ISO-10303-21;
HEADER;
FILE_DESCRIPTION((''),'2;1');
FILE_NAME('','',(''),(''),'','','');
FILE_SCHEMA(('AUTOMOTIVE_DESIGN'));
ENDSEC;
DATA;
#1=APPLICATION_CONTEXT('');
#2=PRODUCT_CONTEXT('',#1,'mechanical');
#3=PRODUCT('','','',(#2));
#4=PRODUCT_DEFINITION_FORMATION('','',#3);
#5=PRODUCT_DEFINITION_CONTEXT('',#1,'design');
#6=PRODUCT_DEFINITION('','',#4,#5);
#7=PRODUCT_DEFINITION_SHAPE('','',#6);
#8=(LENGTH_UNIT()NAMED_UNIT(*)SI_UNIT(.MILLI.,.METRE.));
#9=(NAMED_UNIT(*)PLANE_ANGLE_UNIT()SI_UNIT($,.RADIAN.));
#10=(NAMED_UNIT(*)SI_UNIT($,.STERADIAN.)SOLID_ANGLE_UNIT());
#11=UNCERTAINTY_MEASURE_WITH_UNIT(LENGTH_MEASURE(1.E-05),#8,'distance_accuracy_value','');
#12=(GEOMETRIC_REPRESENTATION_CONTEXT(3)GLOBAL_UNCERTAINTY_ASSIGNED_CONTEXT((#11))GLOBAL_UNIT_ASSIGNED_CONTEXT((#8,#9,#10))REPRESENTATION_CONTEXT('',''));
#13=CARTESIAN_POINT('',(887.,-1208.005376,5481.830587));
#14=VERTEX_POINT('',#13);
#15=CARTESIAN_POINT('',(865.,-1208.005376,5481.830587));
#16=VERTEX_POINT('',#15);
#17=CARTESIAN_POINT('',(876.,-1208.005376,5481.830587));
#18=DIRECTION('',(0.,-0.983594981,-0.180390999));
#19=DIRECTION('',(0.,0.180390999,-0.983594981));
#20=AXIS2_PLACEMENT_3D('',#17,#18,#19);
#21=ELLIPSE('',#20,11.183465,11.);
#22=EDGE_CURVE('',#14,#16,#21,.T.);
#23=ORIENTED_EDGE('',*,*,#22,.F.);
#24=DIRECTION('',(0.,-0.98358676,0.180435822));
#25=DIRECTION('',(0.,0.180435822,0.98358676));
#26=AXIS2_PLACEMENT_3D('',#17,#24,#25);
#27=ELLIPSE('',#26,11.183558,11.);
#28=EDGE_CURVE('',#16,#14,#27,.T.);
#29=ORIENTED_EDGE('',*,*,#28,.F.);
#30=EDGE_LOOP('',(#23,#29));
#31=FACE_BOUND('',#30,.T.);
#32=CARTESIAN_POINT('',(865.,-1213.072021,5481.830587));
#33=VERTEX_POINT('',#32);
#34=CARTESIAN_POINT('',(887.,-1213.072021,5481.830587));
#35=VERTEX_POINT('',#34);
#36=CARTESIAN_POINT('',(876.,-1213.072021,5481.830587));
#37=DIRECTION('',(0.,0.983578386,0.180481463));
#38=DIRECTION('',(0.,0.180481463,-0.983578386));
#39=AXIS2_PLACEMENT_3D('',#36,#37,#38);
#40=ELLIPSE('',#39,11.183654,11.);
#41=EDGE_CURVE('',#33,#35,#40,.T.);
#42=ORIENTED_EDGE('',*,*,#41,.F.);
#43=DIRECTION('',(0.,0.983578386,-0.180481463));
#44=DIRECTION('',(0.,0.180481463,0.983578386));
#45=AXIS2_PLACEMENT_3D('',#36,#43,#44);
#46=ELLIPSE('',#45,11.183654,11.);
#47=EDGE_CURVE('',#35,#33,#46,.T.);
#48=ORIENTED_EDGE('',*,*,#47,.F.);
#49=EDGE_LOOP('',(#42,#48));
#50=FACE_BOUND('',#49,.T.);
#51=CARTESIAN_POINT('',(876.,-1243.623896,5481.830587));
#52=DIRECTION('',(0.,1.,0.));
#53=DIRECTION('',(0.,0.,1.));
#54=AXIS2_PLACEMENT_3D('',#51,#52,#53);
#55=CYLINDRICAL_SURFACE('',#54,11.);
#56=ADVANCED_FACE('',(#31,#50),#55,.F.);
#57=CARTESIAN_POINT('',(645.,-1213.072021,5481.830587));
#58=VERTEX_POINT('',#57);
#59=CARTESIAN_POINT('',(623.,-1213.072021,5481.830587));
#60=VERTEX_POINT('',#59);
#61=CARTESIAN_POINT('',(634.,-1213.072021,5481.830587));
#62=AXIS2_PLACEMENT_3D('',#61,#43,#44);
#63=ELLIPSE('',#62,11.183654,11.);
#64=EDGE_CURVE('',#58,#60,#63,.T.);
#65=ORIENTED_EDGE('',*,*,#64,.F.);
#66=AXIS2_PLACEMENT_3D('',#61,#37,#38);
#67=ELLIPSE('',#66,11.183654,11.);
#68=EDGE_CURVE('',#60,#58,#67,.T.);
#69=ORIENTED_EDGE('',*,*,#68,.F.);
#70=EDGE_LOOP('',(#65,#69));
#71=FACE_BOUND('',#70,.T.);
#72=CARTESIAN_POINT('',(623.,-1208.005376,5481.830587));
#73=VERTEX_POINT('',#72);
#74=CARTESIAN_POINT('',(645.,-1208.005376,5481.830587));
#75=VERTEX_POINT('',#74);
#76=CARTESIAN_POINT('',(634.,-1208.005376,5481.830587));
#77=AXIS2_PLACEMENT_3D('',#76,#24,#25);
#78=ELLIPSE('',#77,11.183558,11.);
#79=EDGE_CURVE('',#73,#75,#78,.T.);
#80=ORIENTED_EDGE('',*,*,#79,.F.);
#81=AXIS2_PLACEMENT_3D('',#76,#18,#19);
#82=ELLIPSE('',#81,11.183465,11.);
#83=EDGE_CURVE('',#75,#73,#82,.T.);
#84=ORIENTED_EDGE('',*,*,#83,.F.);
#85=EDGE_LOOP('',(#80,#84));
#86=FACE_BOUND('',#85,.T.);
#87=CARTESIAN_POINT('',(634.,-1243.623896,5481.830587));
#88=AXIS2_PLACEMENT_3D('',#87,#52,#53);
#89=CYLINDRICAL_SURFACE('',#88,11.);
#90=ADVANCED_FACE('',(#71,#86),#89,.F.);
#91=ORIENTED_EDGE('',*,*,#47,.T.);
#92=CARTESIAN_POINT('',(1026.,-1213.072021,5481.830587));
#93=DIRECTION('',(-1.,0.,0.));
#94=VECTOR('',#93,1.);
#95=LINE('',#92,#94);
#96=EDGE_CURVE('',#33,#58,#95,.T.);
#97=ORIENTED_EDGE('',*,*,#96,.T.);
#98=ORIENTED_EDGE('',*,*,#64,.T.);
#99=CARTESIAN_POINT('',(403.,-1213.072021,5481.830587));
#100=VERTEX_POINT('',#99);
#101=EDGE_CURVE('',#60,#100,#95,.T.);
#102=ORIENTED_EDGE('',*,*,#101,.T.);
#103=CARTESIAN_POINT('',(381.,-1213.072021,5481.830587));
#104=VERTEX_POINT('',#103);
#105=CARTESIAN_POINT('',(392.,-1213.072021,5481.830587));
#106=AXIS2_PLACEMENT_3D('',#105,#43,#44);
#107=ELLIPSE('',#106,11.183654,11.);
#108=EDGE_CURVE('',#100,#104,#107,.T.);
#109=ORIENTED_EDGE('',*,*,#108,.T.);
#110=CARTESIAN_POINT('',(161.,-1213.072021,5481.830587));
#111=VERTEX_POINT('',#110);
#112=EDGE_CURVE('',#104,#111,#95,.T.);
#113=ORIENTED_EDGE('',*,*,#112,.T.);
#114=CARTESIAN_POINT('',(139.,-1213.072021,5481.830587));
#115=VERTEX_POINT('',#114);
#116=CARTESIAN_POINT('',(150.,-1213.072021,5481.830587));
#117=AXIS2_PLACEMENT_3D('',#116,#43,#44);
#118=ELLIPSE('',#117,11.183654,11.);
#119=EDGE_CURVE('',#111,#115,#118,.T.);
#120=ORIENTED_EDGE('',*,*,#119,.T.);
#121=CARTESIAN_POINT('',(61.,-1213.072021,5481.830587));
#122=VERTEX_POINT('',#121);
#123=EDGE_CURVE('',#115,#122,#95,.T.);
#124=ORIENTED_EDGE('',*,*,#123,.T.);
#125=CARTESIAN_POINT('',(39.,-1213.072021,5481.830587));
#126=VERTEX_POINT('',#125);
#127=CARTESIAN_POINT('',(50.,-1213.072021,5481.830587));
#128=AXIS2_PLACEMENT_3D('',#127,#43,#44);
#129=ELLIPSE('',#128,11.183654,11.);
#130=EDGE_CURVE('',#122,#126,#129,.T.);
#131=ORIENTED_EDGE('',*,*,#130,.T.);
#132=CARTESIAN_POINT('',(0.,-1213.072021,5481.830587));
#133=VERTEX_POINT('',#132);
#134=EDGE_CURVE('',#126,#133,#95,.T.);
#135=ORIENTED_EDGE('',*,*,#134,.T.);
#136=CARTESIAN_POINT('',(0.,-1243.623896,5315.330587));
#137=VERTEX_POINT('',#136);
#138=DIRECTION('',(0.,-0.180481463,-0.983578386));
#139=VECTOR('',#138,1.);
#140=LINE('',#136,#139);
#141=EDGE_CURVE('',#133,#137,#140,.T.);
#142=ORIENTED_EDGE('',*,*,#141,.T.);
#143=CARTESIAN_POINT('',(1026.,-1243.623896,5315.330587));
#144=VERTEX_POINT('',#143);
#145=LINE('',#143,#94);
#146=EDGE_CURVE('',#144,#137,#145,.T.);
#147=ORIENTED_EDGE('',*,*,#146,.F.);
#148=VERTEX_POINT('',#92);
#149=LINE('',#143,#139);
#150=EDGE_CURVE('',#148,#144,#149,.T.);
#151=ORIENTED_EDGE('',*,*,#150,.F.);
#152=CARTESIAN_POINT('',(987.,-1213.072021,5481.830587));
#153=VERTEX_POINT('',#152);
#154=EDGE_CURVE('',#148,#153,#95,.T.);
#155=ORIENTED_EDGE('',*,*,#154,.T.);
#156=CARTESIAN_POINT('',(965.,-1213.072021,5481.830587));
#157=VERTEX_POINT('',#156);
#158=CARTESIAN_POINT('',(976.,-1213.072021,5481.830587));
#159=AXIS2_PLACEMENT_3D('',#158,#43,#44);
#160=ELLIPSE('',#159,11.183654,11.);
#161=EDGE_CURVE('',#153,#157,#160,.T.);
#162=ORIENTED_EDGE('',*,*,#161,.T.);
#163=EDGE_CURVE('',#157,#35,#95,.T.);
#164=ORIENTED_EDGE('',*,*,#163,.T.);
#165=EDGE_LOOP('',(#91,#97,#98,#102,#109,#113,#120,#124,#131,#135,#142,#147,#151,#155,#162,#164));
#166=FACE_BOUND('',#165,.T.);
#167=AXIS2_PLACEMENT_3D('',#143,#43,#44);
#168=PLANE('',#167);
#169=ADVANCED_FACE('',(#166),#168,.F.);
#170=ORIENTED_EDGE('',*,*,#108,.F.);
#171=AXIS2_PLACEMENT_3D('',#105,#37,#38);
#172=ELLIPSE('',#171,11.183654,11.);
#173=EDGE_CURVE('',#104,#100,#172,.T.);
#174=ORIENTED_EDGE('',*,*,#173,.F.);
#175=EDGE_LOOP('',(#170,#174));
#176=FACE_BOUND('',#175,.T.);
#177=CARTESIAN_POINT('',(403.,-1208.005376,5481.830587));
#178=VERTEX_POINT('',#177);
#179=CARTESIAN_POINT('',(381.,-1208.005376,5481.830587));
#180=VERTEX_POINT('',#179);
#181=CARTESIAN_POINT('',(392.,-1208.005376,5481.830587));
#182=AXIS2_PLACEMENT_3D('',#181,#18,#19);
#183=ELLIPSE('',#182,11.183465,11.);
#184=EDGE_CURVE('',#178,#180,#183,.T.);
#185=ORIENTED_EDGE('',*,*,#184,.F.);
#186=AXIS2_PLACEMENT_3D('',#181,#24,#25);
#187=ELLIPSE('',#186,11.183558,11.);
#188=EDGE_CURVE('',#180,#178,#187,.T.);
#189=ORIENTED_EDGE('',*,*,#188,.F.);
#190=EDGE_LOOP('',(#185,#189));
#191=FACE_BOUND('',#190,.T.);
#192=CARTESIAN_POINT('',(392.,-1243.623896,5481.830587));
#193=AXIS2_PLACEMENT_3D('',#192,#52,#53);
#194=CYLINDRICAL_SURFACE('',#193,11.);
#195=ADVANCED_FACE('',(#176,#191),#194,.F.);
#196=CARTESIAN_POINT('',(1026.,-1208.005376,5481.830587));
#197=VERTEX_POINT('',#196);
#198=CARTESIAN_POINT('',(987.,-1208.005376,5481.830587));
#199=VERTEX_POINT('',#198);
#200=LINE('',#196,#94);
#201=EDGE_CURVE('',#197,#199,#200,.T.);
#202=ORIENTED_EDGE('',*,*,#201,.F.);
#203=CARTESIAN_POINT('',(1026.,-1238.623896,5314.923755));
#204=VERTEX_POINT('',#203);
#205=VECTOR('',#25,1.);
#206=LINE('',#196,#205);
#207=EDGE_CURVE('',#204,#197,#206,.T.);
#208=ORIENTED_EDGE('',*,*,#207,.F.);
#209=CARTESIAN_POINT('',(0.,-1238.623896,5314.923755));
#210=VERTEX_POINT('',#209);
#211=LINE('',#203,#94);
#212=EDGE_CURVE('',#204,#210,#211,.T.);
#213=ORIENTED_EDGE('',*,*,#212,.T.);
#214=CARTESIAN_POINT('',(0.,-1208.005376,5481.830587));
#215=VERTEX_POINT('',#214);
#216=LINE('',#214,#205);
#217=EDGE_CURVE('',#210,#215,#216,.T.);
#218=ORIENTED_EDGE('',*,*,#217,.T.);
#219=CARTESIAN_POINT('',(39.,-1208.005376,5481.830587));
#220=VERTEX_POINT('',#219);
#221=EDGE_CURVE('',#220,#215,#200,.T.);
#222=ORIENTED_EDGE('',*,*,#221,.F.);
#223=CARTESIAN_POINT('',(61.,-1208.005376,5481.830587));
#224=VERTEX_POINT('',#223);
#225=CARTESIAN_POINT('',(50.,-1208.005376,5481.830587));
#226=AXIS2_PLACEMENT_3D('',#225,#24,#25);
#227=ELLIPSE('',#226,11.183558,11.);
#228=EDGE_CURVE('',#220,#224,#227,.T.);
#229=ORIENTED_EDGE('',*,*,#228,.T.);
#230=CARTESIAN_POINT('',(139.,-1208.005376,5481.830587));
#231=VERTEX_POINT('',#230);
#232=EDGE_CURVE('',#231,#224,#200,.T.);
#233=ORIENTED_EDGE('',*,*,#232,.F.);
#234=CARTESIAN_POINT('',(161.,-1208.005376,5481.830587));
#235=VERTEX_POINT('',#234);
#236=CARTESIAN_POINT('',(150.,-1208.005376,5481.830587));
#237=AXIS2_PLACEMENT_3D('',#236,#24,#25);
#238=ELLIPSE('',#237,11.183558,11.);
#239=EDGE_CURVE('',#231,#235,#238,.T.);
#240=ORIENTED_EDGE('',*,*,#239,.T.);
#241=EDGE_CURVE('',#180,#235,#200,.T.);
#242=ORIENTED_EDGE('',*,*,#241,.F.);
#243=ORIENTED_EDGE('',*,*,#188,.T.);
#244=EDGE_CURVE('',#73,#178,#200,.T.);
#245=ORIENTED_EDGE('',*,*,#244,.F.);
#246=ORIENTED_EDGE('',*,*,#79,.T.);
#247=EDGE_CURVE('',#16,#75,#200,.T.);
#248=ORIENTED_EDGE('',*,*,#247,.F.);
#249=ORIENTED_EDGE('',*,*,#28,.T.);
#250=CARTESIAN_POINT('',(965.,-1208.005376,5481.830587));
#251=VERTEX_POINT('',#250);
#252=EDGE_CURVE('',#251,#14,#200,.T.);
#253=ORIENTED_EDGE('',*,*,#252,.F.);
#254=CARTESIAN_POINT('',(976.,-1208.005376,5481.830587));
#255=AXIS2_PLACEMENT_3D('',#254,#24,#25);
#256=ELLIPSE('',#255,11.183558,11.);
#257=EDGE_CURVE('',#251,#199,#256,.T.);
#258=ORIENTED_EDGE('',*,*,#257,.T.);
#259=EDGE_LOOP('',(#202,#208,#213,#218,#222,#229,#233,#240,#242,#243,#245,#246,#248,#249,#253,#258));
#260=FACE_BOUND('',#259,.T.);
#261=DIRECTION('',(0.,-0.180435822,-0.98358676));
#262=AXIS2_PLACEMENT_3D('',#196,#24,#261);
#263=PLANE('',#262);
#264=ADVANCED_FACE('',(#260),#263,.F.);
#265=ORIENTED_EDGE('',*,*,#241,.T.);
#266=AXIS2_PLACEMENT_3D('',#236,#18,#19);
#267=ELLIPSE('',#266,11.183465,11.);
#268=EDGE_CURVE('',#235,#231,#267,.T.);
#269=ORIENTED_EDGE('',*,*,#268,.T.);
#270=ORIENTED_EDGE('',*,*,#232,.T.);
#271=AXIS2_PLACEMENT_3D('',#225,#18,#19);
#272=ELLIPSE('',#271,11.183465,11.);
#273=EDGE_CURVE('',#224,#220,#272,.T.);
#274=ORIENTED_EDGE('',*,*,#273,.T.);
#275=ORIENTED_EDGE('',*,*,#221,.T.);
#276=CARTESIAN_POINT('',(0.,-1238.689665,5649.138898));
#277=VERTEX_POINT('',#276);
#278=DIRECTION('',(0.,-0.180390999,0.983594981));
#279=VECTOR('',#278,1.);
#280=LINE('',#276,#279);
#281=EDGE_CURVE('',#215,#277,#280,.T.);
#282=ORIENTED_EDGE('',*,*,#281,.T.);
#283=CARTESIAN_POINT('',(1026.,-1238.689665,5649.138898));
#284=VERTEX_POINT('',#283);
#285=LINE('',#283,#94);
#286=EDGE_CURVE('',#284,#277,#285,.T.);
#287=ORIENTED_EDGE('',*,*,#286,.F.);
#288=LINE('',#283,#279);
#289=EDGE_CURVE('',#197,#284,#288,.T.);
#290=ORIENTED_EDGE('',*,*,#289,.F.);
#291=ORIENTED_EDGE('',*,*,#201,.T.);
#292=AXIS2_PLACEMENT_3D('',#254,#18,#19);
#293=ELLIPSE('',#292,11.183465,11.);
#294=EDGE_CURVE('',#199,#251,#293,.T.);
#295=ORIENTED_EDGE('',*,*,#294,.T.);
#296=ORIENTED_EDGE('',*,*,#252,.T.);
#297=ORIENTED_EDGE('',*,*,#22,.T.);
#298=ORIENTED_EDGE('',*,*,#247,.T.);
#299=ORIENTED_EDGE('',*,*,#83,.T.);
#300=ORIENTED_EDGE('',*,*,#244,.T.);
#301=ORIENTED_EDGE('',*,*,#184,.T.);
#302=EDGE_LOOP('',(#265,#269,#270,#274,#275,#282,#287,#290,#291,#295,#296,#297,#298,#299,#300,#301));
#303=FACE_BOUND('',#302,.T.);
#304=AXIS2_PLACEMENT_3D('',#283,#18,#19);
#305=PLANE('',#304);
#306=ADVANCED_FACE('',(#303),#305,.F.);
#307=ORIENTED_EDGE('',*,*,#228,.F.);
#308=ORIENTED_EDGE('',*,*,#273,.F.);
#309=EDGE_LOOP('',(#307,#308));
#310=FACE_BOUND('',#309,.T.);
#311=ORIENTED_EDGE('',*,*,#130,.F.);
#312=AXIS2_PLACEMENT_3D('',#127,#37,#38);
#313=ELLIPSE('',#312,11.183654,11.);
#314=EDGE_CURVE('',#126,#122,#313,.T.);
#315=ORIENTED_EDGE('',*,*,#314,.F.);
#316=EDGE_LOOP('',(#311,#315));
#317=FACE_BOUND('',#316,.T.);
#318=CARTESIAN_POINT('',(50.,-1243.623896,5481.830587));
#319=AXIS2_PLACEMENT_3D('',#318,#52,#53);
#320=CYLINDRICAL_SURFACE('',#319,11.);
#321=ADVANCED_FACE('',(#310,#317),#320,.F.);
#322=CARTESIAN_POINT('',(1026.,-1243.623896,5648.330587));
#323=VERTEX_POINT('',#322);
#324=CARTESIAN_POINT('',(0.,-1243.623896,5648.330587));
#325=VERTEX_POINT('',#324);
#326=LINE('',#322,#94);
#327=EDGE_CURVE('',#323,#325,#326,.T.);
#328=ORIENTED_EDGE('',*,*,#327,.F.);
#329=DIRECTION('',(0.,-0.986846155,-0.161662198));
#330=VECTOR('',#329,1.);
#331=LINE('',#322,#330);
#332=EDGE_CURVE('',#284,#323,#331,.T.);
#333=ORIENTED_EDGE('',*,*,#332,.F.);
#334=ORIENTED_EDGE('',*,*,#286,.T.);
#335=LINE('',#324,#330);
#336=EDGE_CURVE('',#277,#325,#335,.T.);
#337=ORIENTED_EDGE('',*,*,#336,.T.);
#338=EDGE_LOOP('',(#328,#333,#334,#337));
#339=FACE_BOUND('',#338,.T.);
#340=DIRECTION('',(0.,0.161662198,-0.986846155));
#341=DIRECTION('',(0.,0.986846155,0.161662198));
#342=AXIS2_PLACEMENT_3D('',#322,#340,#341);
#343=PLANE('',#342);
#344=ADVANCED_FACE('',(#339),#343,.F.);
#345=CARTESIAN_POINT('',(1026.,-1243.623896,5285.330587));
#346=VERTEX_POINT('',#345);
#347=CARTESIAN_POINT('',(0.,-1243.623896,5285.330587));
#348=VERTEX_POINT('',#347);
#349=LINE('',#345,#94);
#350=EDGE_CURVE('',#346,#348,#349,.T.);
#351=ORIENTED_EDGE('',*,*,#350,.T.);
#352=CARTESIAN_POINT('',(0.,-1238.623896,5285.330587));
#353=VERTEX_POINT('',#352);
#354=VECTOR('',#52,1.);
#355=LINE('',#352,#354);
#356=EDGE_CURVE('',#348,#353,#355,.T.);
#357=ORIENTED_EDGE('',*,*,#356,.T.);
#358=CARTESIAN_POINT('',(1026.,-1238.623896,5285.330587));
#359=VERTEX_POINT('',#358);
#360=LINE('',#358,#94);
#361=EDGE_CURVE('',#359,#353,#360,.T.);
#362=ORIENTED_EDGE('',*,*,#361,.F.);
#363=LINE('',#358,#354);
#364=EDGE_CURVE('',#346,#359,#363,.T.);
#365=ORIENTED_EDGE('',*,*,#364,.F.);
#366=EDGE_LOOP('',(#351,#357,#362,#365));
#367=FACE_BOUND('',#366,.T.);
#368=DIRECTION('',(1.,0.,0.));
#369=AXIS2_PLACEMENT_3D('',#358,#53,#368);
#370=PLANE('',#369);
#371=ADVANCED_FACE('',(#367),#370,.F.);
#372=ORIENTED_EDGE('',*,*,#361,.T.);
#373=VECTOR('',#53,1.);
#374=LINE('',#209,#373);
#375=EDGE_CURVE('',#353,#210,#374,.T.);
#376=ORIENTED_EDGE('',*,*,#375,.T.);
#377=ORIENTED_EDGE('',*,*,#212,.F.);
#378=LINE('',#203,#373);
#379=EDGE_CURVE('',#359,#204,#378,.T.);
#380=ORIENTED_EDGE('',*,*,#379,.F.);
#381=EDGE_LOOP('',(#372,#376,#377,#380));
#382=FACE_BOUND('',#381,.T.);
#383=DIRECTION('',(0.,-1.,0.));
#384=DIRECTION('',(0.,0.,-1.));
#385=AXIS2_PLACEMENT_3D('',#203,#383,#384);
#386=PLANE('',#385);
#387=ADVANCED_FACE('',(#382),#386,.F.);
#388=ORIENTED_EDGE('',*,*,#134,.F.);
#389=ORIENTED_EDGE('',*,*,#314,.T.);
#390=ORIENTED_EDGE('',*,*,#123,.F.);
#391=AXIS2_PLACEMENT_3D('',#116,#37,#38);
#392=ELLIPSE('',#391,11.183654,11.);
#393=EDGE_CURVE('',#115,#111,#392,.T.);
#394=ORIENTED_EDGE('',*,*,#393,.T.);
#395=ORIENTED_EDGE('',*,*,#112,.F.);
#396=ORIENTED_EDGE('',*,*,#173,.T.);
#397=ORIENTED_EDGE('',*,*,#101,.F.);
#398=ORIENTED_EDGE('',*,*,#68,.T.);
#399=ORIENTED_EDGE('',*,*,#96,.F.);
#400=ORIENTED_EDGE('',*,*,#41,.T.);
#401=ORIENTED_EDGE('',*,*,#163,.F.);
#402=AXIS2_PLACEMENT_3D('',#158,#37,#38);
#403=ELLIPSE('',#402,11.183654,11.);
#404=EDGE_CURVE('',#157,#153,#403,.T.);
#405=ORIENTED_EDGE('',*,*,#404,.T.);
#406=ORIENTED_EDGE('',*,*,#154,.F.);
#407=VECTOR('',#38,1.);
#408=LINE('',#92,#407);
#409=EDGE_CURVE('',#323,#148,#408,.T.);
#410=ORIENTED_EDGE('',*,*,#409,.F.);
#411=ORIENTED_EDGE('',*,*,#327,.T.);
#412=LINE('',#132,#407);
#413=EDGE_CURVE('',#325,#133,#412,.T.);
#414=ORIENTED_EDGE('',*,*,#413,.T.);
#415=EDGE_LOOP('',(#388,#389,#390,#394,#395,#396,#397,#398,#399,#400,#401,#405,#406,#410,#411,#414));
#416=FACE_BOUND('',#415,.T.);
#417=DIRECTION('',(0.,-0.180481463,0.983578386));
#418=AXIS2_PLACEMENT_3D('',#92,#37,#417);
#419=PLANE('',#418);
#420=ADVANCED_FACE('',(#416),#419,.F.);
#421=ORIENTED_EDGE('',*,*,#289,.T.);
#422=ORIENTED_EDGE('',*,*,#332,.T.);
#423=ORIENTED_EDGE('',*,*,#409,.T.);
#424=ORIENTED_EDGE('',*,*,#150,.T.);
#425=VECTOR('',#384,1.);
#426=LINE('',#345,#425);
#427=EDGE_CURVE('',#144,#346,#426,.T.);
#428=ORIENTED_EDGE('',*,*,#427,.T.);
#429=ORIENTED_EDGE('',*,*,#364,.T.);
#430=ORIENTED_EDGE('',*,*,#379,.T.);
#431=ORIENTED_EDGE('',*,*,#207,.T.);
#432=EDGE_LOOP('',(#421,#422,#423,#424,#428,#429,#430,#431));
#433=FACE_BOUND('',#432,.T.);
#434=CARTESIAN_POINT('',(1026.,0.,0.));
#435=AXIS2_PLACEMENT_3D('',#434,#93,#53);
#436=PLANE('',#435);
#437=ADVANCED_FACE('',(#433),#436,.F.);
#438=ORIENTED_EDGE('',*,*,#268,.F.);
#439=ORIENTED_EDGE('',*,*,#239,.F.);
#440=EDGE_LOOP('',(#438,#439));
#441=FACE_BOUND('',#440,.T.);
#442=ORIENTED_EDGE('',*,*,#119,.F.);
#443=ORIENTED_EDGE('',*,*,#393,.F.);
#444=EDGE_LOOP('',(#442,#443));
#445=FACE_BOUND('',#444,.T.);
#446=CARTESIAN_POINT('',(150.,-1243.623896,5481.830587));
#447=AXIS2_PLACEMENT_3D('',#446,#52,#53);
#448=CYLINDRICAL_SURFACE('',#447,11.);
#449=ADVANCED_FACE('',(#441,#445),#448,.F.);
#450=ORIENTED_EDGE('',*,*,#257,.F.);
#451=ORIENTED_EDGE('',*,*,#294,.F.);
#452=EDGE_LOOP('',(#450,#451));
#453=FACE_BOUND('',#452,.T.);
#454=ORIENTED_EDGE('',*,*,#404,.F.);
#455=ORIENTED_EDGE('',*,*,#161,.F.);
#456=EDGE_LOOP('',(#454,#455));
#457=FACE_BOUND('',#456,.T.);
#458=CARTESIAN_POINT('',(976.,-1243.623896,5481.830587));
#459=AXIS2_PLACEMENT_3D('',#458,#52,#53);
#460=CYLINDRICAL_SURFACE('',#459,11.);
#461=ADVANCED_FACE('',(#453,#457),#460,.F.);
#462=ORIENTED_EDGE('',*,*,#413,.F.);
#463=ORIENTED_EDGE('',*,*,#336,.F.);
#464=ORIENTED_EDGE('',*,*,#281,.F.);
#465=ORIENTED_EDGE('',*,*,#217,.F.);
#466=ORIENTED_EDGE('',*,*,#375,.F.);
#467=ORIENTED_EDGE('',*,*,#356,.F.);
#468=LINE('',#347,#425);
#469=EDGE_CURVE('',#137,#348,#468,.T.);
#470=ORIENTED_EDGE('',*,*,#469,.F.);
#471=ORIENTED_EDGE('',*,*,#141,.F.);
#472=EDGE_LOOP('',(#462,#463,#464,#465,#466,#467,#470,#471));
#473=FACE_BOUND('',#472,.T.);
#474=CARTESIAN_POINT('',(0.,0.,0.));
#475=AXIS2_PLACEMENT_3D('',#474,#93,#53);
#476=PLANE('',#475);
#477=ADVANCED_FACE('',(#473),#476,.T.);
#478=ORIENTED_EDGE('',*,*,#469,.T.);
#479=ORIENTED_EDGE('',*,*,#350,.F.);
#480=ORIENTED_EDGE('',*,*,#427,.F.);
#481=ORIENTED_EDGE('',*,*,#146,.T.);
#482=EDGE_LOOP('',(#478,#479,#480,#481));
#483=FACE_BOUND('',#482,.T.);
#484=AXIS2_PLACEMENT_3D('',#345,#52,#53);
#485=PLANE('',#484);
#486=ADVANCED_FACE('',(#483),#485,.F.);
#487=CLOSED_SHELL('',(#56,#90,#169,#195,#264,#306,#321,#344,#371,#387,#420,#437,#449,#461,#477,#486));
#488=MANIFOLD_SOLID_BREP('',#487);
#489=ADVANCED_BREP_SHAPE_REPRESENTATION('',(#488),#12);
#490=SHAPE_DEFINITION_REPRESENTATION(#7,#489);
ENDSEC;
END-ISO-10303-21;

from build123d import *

# Parameters (mm, degrees)
BOSS_EXTRUDE1_DEPTH     = 1026
CUT_EXTRUDE1_DEPTH      = 5875.695454102
CUT_EXTRUDE1_DEPTH_BACK = 5875.695454102
SKETCH2_R               = 11


with BuildPart() as part:
    # Sketch1 → Boss-Extrude1 (new body)
    with BuildSketch(Plane(origin=(0, 0, 0), x_dir=(0, 0, -1), z_dir=(1, 0, 0))):
        Polygon((-5649.138897543, -1238.689665232), (-5481.830586551, -1208.005375509), (-5314.923755358, -1238.623896007), (-5285.330586551, -1238.623896007), (-5285.330586551, -1243.623896007), (-5315.330586551, -1243.623896007), (-5481.830586551, -1213.072021383), (-5648.330586551, -1243.623896007), align=None)
    extrude(amount=BOSS_EXTRUDE1_DEPTH)

    # Sketch2 → Cut-Extrude1 (cut, two sides: drawn at the far end of the back side and taken through both)
    with BuildSketch(Plane(origin=(0, 0, 0), x_dir=(1, 0, 0), z_dir=(0, 1, 0)).offset(-CUT_EXTRUDE1_DEPTH_BACK)):
        with Locations((50, -5481.830586551)):
            Circle(SKETCH2_R)
        with Locations((150, -5481.830586551)):
            Circle(SKETCH2_R)
        with Locations((976, -5481.830586551)):
            Circle(SKETCH2_R)
        with Locations((876, -5481.830586551)):
            Circle(SKETCH2_R)
        with Locations((634, -5481.830586551)):
            Circle(SKETCH2_R)
        with Locations((392, -5481.830586551)):
            Circle(SKETCH2_R)
    extrude(amount=CUT_EXTRUDE1_DEPTH + CUT_EXTRUDE1_DEPTH_BACK, mode=Mode.SUBTRACT)


solid = part.part
